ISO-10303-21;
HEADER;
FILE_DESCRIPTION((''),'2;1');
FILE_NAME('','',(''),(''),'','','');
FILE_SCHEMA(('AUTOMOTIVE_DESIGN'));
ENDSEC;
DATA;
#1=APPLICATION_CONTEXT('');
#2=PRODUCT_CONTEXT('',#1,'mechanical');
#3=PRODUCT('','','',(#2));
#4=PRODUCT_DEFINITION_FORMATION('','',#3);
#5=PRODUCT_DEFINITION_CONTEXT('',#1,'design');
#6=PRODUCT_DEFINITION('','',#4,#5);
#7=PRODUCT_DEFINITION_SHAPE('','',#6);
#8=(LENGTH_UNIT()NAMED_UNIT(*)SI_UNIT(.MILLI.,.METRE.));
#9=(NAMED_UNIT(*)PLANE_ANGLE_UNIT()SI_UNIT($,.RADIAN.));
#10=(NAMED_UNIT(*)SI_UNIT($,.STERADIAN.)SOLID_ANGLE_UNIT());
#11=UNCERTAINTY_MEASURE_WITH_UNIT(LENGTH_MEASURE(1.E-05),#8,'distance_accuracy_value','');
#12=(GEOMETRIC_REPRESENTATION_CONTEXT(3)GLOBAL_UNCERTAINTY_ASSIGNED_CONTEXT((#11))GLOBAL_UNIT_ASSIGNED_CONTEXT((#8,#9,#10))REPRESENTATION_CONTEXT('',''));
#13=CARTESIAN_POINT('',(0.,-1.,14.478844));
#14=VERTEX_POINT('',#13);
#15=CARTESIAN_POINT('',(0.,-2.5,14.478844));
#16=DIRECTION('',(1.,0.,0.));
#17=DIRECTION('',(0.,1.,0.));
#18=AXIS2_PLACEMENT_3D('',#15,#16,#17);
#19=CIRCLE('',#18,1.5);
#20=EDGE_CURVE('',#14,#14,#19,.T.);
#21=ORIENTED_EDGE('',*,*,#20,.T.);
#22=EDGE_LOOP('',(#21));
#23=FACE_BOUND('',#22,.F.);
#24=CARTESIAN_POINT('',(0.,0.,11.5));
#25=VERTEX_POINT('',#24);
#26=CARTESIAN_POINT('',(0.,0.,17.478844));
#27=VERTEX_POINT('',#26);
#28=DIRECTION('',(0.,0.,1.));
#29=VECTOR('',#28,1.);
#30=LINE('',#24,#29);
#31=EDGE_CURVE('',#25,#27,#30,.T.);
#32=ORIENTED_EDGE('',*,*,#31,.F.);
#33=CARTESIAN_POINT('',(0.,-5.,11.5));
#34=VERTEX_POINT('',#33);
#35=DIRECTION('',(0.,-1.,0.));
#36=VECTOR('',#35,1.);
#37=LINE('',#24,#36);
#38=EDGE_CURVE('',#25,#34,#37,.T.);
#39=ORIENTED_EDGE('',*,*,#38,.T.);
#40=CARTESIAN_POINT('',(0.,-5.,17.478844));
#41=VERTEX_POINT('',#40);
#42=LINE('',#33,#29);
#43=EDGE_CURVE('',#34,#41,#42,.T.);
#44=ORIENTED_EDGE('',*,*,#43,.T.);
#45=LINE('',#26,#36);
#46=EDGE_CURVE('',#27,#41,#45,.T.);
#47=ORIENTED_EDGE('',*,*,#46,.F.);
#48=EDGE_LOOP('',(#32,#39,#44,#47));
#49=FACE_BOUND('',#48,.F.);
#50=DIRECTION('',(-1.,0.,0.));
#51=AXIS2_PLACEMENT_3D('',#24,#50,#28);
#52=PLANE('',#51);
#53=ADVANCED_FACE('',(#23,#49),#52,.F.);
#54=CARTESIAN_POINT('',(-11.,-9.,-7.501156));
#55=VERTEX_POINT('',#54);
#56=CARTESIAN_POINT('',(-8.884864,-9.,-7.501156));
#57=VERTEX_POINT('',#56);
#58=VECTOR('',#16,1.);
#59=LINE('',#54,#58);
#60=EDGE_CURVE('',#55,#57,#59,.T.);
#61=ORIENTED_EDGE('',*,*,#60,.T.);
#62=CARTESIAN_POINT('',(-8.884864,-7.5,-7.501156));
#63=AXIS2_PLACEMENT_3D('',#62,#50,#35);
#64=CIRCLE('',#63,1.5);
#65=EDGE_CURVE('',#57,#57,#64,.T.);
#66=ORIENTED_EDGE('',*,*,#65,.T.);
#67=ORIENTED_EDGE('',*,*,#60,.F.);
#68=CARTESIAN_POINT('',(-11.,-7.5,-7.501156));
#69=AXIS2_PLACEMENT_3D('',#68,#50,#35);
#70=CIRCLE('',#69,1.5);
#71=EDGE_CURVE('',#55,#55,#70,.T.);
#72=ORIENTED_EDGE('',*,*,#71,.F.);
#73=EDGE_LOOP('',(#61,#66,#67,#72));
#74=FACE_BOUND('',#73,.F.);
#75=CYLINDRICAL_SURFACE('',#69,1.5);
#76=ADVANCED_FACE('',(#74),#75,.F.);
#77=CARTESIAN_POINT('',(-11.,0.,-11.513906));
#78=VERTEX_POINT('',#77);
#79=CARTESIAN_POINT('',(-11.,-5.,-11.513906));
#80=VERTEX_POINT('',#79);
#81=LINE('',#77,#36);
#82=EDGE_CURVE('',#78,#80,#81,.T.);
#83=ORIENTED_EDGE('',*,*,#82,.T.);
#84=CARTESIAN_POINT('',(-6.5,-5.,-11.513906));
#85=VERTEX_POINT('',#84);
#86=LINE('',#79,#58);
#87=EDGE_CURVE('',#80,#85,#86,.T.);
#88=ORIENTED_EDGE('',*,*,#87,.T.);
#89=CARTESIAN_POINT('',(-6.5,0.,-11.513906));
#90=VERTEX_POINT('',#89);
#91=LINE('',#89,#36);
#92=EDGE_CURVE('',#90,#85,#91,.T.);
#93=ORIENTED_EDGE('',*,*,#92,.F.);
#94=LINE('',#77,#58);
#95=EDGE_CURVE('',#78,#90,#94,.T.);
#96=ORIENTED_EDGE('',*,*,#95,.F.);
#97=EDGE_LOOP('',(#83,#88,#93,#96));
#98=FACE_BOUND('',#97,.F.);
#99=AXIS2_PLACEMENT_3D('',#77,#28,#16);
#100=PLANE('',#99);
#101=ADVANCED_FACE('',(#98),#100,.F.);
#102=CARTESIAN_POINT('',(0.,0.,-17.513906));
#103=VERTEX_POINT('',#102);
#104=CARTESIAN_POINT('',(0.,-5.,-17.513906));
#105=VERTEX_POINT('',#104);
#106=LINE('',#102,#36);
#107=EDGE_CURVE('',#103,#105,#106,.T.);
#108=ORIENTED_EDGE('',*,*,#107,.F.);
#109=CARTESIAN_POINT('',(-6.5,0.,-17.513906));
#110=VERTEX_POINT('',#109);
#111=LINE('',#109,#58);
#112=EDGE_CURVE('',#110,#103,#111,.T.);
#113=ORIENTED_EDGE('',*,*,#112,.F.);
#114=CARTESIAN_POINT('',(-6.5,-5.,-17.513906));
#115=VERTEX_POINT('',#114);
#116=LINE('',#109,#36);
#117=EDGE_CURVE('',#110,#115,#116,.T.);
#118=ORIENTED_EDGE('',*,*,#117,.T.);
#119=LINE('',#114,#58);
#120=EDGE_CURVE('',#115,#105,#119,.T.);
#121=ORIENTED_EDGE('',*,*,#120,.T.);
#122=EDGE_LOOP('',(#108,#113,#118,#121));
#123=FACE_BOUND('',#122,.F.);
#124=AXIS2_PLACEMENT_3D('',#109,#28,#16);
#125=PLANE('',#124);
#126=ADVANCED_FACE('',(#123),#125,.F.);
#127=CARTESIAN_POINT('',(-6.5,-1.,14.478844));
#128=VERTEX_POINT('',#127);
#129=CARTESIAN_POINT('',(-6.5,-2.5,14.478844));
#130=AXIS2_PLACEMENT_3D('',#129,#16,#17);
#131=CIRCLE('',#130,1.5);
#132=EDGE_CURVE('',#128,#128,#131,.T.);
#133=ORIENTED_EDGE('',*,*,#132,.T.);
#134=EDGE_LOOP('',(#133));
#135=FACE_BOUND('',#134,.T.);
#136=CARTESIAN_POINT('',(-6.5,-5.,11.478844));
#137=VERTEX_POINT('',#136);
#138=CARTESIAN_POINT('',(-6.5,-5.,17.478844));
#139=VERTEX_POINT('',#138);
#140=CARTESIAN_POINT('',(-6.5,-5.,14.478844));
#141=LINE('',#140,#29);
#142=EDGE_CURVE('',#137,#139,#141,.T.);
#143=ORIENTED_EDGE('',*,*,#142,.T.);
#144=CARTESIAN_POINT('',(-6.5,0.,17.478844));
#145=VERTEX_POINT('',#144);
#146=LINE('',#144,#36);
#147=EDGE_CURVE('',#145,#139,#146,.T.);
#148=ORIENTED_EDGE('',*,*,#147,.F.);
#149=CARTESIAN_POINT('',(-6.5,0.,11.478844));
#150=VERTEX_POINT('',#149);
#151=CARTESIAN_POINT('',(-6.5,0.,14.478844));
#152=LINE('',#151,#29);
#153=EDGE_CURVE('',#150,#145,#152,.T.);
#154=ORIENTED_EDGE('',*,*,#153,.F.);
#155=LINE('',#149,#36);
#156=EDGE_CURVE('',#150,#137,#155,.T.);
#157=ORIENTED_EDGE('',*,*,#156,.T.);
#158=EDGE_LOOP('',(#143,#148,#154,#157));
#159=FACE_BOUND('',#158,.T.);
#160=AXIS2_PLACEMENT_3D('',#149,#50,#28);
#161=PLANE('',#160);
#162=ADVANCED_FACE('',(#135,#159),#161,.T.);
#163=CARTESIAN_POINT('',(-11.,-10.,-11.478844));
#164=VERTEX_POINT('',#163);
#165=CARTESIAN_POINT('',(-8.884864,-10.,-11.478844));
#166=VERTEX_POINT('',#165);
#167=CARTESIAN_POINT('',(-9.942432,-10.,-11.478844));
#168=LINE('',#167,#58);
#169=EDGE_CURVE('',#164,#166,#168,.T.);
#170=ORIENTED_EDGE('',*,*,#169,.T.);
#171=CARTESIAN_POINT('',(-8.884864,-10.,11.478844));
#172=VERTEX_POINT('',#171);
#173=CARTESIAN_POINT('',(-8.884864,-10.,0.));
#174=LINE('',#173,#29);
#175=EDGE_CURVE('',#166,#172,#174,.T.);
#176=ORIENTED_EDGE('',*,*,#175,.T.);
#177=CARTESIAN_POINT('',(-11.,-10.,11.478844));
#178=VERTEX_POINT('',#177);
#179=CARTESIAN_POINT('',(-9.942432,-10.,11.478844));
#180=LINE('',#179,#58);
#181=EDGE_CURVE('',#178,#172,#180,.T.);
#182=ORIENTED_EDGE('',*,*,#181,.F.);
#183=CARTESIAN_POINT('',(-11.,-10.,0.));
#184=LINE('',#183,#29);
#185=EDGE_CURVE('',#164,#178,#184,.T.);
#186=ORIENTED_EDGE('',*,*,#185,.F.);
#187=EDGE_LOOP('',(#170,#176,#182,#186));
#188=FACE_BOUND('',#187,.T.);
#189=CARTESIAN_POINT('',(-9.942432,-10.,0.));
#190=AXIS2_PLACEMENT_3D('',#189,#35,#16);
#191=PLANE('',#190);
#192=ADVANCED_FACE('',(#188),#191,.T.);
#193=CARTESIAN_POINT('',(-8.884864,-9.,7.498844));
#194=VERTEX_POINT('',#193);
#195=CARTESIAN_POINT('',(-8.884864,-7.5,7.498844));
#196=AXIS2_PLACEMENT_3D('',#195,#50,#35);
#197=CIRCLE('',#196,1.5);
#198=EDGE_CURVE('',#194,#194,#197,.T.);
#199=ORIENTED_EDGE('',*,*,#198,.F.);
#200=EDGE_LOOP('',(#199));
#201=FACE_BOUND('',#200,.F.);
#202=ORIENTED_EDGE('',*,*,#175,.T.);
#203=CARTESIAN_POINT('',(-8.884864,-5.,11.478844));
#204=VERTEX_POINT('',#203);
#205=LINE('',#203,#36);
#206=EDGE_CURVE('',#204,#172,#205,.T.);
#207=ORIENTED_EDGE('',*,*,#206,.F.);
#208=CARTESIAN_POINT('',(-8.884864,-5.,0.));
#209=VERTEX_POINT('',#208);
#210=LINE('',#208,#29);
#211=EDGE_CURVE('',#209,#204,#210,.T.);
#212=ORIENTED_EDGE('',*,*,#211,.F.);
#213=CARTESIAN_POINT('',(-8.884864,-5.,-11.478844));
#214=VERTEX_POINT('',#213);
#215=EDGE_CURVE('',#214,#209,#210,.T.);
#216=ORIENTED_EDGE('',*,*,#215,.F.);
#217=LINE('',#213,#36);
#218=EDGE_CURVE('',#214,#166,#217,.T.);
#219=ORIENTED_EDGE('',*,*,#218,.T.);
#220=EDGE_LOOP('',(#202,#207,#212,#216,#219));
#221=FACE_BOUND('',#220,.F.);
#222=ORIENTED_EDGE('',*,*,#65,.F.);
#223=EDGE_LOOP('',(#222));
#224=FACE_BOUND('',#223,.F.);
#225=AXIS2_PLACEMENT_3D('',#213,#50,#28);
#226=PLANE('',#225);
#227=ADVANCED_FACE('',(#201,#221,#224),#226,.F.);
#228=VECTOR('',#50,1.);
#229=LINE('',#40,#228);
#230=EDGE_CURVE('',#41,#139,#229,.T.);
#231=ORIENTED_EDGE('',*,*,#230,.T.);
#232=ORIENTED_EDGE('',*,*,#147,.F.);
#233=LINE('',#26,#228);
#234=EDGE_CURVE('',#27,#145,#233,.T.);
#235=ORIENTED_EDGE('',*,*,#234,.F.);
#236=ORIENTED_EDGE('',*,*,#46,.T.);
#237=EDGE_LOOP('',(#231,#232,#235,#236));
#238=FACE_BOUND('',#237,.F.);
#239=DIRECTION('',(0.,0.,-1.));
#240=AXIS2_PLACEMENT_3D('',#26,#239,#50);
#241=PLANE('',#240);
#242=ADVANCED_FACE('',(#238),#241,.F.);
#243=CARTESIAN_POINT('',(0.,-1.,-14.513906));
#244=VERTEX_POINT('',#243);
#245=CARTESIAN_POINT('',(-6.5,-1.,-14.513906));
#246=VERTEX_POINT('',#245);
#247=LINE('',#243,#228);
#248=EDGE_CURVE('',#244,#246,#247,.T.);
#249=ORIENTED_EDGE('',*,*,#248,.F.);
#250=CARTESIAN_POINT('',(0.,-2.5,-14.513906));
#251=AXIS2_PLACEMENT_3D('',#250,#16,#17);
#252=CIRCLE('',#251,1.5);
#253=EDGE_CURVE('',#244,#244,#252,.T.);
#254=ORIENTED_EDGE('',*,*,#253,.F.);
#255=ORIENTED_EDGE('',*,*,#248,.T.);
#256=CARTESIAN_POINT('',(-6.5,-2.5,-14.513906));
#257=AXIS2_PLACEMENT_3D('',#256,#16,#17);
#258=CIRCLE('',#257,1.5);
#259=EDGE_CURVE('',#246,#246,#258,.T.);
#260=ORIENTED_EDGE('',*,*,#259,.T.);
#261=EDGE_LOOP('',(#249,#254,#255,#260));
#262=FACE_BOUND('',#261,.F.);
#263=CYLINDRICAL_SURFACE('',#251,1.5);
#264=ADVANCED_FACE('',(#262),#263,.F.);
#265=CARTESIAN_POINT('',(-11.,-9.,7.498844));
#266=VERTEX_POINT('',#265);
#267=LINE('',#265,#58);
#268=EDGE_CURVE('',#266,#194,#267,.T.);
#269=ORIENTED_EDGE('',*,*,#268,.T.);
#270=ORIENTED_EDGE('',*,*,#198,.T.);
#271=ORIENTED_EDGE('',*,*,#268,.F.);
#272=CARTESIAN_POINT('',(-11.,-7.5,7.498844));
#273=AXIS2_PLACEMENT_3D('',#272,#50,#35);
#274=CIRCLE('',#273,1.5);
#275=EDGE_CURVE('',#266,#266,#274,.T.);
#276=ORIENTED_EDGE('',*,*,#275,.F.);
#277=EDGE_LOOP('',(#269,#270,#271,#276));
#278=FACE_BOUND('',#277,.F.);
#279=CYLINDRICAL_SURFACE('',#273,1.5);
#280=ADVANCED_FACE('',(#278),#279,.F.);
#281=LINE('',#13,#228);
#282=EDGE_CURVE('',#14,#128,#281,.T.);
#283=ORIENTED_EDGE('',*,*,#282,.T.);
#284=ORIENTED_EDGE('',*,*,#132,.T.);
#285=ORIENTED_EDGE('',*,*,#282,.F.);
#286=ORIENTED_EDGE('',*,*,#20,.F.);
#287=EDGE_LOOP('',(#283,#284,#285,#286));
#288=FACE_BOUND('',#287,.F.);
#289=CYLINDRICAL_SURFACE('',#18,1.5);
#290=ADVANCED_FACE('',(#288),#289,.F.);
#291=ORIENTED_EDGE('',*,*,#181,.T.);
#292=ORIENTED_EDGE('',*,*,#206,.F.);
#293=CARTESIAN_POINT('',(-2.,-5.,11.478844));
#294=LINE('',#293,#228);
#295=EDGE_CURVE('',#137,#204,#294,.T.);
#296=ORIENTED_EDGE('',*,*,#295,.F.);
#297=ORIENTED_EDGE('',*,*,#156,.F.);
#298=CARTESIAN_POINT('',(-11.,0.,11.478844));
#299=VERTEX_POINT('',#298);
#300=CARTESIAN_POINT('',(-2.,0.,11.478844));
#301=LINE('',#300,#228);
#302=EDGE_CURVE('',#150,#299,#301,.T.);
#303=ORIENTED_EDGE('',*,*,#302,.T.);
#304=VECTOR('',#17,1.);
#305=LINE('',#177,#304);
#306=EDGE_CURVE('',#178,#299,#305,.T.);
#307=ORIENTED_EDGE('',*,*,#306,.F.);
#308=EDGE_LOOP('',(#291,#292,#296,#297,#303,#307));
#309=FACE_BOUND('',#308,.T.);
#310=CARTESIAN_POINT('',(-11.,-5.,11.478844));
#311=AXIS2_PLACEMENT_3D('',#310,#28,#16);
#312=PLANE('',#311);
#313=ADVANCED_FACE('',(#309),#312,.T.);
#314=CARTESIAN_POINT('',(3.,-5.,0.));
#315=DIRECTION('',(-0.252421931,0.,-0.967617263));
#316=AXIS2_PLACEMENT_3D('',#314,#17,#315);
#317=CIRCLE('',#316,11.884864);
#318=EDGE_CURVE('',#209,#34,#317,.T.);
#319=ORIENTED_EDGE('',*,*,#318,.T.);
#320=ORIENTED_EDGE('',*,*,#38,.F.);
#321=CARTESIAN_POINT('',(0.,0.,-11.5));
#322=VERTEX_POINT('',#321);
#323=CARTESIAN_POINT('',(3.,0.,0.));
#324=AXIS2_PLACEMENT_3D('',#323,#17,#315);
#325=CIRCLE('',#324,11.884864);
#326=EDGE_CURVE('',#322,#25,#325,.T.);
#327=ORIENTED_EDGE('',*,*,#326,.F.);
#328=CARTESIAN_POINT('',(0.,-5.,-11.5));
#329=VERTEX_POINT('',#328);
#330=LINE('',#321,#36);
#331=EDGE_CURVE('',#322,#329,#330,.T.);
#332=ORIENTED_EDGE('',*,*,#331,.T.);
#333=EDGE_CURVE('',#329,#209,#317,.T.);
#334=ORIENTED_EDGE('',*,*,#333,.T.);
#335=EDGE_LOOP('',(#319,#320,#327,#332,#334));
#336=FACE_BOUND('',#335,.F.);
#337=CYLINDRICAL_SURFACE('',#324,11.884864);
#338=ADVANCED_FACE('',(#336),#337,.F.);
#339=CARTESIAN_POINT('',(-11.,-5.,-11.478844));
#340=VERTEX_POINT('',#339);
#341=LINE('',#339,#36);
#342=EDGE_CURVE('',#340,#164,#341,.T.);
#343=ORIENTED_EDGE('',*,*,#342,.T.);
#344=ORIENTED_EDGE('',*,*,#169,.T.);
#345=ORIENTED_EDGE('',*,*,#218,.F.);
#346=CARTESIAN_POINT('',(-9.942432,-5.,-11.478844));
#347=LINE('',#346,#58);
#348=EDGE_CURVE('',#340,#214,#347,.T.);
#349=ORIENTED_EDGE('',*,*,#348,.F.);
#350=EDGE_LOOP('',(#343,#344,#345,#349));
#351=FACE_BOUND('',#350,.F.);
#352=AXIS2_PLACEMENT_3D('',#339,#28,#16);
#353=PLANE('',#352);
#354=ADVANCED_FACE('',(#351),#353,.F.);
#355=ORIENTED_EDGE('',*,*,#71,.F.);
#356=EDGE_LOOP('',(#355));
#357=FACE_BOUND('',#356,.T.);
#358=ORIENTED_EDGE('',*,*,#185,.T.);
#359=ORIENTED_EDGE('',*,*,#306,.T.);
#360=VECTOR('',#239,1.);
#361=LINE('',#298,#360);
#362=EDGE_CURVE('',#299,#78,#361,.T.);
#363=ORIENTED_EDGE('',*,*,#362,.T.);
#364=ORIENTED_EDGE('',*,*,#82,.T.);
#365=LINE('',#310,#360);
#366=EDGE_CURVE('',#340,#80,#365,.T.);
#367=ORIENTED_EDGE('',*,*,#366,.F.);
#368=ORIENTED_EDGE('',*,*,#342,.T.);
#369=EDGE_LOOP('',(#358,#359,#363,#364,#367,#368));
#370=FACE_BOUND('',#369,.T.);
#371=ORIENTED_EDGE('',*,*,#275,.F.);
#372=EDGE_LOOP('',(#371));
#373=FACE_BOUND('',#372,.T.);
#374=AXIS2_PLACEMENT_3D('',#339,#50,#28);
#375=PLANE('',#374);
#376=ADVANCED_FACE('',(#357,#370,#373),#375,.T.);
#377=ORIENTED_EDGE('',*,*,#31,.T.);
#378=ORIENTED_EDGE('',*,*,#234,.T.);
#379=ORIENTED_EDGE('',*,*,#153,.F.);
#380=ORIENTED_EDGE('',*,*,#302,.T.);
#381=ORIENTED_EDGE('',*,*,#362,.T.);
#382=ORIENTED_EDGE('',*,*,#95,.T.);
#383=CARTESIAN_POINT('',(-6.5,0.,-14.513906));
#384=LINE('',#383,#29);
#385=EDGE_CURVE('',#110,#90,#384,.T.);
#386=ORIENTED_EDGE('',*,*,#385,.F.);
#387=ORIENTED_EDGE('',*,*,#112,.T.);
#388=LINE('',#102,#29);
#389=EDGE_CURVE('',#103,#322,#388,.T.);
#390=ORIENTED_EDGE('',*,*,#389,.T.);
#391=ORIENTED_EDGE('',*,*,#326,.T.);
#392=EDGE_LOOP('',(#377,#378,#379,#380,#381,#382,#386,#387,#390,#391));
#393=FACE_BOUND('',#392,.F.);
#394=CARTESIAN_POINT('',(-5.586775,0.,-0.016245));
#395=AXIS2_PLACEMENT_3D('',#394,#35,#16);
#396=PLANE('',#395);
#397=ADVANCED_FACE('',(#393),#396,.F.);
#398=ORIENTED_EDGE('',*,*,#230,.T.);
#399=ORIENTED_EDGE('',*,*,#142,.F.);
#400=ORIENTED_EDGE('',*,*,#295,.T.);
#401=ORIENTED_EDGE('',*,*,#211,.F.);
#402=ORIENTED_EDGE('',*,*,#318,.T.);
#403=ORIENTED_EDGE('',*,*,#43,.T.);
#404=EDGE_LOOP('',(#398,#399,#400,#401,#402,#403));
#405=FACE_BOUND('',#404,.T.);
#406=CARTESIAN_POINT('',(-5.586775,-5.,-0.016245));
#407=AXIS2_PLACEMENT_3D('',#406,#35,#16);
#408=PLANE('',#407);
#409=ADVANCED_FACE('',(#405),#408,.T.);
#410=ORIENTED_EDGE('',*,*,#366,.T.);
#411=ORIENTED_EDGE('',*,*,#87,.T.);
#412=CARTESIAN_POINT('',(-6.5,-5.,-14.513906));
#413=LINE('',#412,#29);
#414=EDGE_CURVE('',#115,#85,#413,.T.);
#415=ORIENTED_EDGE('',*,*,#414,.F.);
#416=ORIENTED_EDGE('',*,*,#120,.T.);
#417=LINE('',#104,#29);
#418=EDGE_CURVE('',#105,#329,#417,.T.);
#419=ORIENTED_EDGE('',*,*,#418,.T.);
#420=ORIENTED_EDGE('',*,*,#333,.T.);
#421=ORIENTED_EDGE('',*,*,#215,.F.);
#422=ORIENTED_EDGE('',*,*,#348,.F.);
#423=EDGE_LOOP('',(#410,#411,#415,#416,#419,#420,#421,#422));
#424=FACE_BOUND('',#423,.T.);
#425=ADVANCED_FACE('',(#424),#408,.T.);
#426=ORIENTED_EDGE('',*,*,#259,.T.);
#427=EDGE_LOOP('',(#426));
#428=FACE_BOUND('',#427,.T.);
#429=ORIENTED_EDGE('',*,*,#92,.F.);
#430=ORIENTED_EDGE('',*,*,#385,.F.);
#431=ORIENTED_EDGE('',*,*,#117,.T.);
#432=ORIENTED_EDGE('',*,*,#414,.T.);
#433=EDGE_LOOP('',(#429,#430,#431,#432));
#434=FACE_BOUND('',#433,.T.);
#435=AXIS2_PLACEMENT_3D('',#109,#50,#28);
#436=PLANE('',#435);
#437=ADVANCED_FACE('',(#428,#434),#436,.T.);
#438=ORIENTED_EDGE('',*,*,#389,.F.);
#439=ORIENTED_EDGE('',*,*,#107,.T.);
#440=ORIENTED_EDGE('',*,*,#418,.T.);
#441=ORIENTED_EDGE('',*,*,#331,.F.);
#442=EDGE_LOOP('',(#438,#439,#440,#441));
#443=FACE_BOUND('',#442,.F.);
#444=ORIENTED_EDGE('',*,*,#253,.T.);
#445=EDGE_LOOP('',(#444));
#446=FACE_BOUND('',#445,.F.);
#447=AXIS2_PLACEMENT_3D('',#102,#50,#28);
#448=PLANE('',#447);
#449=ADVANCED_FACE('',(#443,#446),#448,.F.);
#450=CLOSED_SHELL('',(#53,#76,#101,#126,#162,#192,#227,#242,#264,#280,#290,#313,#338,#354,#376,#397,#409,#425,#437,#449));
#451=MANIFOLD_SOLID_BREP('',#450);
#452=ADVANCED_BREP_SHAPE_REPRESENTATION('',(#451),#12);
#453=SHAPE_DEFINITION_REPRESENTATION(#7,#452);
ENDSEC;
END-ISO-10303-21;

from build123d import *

# Parameters (mm, degrees)
F0_W     = 4.5
F0_H     = 6
F1_DEPTH = 5
F2_R     = 1.5
F3_DEPTH = 25
F4_W     = 2.115136
F4_H     = 22.957688
F5_DEPTH = 5
F6_R     = 1.5
F7_DEPTH = 25


with BuildPart() as f1:
    # F0 (on Front) → F1 (new body)
    with BuildSketch(Plane.XZ):
        with BuildLine():
            ThreePointArc((0, -11.5), (-8.884864, 0), (0, 11.5))
            Line((0, 11.5), (0, 17.478844))
            Line((0, 17.478844), (-2, 17.478844))
            Line((-2, 17.478844), (-2, 11.478844))
            Line((-2, 11.478844), (-6.5, 11.478844))
            Line((-6.5, 11.478844), (-11, 11.478844))
            Line((-11, 11.478844), (-11, -11.513906))
            Line((-11, -11.513906), (-6.5, -11.513906))
            Line((-6.5, -11.513906), (-2, -11.513906))
            Line((-2, -11.513906), (-2, -17.513906))
            Line((-2, -17.513906), (0, -17.513906))
            Line((0, -17.513906), (0, -11.5))
        make_face()
        with Locations((-4.25, 14.478844)):
            Rectangle(F0_W, F0_H)
        with Locations((-4.25, -14.513906)):
            Rectangle(F0_W, F0_H)
    extrude(amount=F1_DEPTH)

    # F2 (on face) → F3 (cut)
    with BuildSketch(Plane.YZ):
        with Locations((-2.5, 14.478844)):
            Circle(F2_R)
        with Locations((-2.5, -14.513906)):
            Circle(F2_R)
    extrude(amount=-F3_DEPTH, mode=Mode.SUBTRACT)

    # F4 (on face) → F5 (join)
    with BuildSketch(Plane.XZ.offset(5)):
        with Locations((-9.942432, 0)):
            Rectangle(F4_W, F4_H)
    extrude(amount=F5_DEPTH)

    # F6 (on face) → F7 (cut)
    with BuildSketch(Plane(origin=(-11, 0, 0), x_dir=(0, -1, 0), z_dir=(-1, 0, 0))):
        with Locations((7.5, 7.498844)):
            Circle(F6_R)
        with Locations((7.5, -7.501156)):
            Circle(F6_R)
    extrude(amount=-F7_DEPTH, mode=Mode.SUBTRACT)


solid = f1.part
